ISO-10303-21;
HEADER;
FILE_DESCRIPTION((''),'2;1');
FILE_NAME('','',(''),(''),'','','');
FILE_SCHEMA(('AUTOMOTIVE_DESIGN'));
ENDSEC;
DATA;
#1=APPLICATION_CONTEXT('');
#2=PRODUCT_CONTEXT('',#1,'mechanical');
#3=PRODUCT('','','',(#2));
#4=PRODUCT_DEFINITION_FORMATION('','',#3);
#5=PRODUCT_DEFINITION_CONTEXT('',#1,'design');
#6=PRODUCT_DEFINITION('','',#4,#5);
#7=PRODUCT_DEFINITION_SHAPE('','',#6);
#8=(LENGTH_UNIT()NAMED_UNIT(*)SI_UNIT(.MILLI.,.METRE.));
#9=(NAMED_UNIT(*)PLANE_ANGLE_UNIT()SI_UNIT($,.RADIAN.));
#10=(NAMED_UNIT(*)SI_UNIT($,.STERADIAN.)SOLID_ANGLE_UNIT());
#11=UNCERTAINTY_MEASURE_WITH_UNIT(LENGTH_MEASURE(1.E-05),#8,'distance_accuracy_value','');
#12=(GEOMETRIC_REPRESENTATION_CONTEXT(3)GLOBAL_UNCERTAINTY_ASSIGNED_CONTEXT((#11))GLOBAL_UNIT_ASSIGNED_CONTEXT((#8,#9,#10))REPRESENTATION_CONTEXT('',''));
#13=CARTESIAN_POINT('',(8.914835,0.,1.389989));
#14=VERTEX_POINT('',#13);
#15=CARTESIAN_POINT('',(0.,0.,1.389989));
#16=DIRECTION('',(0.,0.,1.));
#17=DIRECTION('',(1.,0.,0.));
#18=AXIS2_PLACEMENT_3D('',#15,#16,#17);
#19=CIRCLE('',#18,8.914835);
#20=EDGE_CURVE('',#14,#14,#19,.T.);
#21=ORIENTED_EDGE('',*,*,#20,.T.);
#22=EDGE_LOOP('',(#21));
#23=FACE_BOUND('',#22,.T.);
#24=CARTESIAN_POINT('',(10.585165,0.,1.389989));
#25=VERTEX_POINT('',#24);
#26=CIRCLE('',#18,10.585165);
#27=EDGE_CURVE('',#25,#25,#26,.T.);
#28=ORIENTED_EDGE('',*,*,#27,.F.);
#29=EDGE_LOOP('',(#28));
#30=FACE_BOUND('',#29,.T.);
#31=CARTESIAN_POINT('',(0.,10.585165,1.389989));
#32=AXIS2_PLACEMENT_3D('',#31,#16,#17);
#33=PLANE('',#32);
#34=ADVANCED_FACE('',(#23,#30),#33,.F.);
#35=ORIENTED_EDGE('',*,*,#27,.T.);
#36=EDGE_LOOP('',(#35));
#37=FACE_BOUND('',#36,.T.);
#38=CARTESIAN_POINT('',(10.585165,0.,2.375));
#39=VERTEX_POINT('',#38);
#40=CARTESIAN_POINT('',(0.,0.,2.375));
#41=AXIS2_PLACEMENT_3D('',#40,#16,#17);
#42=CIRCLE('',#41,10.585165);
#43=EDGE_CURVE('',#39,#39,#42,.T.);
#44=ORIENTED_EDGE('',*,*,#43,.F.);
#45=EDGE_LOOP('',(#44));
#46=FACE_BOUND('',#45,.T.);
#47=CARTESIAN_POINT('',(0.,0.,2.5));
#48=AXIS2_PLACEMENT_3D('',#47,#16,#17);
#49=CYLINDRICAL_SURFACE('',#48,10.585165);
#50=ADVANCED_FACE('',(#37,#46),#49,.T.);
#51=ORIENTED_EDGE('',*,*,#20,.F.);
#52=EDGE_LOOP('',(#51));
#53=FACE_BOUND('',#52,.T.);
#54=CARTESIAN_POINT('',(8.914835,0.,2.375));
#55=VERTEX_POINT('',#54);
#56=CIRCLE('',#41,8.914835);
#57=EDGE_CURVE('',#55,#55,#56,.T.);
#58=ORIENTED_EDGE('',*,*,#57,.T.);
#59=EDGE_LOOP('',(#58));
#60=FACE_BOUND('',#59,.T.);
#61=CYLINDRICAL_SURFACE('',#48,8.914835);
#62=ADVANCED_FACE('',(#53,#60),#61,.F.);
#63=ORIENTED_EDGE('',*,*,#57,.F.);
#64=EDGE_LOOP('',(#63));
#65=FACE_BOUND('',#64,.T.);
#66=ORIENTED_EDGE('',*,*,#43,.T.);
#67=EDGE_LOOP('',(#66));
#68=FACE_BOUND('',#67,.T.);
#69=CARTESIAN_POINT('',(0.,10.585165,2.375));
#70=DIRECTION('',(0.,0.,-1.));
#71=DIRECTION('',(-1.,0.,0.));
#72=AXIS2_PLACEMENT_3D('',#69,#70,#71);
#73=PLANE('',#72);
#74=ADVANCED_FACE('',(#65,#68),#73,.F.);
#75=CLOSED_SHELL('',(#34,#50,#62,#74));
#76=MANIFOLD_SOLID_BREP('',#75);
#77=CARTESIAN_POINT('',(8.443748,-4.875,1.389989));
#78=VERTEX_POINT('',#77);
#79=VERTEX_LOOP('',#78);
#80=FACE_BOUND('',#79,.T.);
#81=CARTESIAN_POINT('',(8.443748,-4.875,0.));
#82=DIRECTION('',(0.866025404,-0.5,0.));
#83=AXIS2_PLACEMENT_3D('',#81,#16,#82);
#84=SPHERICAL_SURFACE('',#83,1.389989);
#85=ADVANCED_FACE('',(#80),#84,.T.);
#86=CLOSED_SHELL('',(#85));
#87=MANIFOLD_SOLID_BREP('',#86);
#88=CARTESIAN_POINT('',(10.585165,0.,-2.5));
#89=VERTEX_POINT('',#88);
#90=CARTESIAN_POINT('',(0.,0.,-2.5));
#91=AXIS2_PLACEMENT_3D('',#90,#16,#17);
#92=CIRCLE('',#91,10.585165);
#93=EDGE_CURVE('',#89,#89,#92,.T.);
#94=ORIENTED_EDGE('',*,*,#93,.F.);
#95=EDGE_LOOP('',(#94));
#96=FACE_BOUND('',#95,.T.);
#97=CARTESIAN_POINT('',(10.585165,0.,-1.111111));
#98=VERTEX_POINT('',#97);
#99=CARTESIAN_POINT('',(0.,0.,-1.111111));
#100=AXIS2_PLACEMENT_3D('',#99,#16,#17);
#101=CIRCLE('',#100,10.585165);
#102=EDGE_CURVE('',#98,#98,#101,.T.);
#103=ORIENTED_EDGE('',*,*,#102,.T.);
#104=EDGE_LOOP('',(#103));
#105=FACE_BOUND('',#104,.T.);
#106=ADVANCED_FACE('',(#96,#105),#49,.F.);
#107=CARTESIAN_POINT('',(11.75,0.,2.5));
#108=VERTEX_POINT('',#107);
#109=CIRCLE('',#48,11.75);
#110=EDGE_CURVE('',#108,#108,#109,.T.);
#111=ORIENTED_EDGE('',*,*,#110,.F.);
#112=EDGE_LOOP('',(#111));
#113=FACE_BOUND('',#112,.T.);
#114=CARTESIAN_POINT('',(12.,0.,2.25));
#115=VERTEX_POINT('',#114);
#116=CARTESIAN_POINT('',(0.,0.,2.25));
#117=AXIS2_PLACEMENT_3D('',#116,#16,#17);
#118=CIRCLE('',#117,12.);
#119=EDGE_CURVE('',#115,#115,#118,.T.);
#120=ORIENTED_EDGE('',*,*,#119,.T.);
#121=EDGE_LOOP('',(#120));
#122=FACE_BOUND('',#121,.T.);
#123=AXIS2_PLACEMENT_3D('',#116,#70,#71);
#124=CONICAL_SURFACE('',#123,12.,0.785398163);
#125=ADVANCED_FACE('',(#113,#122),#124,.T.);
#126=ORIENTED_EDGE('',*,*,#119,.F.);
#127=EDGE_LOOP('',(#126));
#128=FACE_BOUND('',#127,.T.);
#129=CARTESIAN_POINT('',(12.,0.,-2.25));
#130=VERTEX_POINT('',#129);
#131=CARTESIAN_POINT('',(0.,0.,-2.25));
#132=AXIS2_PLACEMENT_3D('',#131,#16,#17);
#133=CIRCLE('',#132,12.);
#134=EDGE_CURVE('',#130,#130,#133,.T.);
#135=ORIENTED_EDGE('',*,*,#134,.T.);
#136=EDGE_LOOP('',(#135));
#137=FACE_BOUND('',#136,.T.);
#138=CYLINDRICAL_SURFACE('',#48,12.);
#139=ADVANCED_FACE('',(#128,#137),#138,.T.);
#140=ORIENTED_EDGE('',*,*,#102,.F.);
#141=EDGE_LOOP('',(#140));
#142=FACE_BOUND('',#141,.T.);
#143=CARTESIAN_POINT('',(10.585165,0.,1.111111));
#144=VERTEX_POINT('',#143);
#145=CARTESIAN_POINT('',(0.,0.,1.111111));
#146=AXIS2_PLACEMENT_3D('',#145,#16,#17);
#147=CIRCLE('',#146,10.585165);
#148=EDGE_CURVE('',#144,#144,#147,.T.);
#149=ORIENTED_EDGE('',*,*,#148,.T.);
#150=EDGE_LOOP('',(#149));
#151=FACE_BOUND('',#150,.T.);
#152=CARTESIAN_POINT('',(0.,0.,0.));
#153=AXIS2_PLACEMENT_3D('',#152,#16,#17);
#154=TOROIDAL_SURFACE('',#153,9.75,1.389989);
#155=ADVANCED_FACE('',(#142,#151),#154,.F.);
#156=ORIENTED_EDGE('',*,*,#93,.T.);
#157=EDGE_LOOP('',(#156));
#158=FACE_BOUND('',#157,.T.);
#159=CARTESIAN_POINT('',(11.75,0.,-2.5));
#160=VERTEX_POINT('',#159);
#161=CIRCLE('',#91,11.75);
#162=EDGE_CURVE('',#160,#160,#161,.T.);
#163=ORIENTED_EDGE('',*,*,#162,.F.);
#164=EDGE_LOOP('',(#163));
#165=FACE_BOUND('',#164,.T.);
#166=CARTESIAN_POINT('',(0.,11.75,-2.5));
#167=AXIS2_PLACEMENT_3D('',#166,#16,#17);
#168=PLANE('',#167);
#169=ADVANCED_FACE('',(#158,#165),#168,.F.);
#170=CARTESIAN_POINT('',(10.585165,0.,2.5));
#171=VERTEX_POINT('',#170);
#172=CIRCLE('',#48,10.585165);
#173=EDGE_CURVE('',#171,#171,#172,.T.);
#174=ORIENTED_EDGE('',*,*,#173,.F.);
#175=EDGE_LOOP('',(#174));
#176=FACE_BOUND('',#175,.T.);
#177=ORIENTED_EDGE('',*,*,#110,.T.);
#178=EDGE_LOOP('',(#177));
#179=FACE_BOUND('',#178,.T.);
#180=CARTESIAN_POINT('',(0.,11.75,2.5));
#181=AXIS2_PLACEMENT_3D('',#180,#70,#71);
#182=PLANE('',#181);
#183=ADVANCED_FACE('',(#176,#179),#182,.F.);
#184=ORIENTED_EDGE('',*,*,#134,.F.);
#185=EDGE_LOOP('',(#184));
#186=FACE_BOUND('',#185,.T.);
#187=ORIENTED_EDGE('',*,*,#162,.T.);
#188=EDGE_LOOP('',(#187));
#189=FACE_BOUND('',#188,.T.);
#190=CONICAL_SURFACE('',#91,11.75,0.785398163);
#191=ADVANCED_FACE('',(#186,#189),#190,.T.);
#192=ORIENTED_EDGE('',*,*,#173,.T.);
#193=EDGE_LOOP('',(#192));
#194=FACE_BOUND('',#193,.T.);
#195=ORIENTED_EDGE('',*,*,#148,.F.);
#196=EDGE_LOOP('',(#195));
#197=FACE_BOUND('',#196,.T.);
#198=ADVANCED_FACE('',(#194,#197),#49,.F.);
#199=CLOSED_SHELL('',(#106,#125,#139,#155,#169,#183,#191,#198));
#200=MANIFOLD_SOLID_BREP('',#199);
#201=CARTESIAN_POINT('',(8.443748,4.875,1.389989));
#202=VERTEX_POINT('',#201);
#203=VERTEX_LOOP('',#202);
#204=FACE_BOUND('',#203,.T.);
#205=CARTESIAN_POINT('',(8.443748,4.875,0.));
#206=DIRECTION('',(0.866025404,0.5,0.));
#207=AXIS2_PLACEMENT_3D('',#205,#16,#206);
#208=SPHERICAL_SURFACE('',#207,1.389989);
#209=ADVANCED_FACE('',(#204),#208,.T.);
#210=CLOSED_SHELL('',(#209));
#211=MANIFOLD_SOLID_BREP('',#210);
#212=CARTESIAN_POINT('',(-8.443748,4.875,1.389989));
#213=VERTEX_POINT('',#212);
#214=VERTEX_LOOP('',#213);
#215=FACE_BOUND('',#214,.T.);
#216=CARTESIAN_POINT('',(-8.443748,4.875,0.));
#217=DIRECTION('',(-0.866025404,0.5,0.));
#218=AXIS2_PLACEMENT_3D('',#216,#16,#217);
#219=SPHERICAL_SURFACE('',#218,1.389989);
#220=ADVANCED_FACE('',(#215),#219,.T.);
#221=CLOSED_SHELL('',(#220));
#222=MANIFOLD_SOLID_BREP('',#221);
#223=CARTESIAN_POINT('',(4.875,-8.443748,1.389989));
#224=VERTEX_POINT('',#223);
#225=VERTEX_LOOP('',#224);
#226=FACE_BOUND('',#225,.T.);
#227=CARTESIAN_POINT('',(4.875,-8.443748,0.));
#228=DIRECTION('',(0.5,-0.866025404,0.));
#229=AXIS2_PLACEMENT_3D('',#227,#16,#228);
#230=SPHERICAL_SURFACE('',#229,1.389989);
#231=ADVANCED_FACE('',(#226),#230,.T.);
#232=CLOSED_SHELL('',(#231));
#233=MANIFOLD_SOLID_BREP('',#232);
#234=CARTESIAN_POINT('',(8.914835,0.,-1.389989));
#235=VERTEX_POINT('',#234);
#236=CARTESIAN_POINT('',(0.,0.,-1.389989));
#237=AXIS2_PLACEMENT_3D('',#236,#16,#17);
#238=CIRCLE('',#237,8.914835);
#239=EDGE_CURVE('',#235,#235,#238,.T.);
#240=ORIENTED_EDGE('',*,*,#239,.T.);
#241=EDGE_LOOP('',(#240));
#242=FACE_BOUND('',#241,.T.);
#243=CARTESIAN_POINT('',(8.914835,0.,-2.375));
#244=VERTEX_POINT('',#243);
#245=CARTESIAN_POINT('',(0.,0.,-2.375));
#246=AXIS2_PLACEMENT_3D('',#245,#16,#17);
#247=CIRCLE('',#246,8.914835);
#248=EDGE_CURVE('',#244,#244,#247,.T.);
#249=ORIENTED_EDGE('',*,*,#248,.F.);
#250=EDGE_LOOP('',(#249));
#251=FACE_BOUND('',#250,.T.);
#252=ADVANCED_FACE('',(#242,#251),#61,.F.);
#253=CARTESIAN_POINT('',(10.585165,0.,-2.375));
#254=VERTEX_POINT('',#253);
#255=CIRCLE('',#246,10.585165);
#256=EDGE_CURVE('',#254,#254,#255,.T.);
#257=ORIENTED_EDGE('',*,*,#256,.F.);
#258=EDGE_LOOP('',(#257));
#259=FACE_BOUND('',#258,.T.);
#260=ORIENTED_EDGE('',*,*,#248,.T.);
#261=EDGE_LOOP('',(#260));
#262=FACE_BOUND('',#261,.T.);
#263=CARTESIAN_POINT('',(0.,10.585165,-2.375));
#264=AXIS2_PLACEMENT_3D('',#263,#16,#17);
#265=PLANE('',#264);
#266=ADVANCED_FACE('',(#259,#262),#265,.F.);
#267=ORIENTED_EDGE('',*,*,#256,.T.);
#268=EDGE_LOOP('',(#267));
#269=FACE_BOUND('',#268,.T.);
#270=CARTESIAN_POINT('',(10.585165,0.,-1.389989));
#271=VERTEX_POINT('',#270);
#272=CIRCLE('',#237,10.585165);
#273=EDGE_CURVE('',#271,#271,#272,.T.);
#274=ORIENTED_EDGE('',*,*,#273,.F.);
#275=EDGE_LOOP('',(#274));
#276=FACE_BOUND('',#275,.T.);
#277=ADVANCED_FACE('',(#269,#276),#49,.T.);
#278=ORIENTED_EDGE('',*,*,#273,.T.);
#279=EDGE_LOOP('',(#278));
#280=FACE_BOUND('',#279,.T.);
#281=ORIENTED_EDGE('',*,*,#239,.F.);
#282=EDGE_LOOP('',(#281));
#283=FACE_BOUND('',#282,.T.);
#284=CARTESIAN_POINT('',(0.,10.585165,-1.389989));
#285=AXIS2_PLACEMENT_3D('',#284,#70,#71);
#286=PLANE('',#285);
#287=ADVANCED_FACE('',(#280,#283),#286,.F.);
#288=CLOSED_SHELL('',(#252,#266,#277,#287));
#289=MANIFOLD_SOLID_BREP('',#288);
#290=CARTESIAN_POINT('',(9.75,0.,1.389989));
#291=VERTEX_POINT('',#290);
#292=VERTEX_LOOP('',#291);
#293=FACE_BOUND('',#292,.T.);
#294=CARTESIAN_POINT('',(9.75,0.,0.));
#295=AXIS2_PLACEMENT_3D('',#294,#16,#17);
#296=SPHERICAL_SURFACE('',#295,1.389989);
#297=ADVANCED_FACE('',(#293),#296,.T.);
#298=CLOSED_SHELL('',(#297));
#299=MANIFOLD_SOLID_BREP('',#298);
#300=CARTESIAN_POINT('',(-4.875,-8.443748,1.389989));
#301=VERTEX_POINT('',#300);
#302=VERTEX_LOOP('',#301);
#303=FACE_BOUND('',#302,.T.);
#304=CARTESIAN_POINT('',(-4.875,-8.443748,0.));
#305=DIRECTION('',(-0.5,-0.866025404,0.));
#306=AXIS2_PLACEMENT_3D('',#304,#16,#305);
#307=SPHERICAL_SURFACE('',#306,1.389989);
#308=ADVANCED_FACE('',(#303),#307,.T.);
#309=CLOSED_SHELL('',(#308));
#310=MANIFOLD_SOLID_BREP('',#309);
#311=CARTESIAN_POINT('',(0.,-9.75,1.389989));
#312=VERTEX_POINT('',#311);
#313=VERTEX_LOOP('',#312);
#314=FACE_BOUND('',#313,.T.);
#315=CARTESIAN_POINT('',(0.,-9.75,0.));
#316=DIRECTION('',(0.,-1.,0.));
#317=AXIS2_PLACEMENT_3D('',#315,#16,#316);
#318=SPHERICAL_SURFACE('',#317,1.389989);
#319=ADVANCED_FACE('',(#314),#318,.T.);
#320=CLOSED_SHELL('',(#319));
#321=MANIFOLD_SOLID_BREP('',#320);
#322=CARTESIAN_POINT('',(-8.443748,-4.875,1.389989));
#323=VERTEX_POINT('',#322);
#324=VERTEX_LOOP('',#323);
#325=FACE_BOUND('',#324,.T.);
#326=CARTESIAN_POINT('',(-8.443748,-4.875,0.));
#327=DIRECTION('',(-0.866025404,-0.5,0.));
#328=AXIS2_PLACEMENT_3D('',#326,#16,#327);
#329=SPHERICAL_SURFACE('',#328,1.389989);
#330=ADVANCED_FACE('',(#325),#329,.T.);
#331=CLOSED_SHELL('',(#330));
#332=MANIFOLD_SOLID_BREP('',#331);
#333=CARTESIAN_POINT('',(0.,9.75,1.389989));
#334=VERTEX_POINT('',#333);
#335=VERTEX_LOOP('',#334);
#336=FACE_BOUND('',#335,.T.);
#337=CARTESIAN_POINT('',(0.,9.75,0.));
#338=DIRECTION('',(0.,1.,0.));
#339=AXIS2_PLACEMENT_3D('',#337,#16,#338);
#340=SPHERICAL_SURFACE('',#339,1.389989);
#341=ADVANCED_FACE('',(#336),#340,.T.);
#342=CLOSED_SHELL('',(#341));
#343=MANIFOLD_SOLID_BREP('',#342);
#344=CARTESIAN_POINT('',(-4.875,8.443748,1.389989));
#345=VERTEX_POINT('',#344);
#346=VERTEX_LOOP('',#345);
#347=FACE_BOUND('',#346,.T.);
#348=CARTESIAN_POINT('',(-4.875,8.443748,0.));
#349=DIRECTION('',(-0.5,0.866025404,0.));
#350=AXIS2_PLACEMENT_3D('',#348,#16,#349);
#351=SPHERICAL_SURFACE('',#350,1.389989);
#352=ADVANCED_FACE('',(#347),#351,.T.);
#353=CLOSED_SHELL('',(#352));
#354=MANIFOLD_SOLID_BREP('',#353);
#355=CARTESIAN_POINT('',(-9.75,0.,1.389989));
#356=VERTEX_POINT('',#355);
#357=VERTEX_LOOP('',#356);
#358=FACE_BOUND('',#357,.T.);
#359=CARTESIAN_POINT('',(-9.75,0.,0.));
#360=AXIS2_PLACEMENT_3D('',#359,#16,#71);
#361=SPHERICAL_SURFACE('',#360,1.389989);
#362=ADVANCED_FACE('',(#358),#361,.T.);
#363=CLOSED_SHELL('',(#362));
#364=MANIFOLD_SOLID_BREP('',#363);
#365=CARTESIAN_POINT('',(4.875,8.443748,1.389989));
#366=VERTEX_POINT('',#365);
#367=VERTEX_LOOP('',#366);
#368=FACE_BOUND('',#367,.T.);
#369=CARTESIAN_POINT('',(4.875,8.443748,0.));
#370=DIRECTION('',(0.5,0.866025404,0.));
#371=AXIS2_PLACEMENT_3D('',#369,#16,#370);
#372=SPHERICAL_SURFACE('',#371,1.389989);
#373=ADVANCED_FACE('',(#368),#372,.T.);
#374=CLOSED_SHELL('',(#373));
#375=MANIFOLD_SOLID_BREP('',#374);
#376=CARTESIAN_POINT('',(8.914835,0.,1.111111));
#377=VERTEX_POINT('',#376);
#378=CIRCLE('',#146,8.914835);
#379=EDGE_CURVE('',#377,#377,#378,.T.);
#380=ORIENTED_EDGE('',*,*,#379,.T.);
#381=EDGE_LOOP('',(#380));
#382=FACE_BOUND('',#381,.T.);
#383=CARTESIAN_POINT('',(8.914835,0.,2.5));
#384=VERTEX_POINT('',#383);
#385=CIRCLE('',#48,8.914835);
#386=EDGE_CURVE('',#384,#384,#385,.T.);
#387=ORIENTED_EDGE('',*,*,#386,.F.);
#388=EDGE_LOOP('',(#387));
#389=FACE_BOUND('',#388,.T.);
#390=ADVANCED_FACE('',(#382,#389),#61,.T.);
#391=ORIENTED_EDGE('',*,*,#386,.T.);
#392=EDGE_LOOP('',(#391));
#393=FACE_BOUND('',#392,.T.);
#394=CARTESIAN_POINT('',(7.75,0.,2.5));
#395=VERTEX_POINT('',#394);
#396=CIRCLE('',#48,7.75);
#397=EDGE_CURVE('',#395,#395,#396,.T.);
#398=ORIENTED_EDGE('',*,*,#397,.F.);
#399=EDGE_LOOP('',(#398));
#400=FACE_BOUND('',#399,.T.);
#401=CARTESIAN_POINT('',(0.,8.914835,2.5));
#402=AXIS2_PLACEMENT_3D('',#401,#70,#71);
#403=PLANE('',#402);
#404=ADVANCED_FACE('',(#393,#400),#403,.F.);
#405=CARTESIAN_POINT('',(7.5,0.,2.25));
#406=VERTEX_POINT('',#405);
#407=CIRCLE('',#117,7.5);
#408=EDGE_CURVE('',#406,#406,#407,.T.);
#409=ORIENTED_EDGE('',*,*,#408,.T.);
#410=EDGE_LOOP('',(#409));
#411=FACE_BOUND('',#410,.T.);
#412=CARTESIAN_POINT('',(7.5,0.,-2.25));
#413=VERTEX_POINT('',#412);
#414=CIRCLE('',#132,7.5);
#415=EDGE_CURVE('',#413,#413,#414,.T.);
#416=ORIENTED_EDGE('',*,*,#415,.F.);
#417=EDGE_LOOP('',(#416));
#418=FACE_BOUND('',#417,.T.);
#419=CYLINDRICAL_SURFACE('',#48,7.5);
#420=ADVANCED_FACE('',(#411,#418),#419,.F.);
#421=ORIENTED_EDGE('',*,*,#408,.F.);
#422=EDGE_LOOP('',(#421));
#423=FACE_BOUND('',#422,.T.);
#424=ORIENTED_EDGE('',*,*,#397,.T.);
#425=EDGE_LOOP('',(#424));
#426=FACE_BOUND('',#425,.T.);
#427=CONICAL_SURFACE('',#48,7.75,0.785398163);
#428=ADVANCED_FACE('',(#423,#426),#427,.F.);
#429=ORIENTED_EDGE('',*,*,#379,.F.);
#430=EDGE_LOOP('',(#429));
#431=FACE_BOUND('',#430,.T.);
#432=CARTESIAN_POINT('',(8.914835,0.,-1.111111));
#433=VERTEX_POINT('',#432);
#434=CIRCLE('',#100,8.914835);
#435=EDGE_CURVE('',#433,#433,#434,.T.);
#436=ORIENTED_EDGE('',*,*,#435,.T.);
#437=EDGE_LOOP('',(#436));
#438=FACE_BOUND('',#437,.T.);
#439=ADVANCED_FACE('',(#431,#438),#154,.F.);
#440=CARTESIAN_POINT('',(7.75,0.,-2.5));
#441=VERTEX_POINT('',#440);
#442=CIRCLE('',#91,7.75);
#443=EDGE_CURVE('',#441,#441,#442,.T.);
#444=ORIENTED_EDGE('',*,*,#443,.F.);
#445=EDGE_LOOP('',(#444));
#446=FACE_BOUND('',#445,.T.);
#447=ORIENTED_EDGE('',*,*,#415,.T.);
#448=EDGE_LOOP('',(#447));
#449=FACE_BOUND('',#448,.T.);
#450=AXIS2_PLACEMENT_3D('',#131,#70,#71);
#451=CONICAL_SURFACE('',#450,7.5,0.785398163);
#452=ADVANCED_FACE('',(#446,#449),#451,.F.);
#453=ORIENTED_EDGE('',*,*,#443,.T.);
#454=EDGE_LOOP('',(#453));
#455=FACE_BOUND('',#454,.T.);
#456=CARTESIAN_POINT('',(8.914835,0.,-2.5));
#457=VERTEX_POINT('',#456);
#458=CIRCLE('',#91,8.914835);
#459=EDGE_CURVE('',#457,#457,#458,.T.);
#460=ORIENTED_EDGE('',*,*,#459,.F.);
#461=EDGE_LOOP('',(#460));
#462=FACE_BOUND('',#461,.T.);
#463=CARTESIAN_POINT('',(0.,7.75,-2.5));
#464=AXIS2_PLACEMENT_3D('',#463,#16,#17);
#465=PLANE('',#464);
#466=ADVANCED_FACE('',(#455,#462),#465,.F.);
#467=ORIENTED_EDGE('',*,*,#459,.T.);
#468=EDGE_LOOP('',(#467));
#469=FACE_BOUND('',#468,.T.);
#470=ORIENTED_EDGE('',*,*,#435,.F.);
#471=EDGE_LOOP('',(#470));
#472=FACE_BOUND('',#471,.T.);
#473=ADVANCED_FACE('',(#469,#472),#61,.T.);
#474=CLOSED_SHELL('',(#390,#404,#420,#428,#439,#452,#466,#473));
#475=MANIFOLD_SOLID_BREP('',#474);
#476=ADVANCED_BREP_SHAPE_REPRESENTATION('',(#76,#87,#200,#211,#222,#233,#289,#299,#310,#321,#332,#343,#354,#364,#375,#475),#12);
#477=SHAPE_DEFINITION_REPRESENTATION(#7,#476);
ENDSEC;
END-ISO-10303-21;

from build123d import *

# Parameters (mm, degrees)
CIRPATTERN1_COUNT = 12
SKETCH5_W         = 0.985011438
SKETCH5_H         = 1.67032967


with BuildPart() as part:
    # Sketch1 → Revolve1 (revolve)
    with BuildSketch(Plane(origin=(0, 0, 0), x_dir=(0, 0, -1), z_dir=(1, 0, 0))):
        with BuildLine():
            Line((2.25, 12), (-2.25, 12))
            Line((-2.25, 12), (-2.5, 11.75))
            Line((-2.5, 11.75), (-2.5, 10.585164835))
            Line((-2.5, 10.585164835), (-1.111111111, 10.585164835))
            ThreePointArc((-1.111111111, 10.585164835), (0, 11.139988562), (1.111111111, 10.585164835))
            Line((1.111111111, 10.585164835), (2.5, 10.585164835))
            Line((2.5, 10.585164835), (2.5, 11.75))
            Line((2.5, 11.75), (2.25, 12))
        make_face()
    revolve(axis=Axis((0, 0, 2.5), (0, 0, -1)))


with BuildPart() as body_2:
    # Sketch3 → Revolve3 (revolve)
    with BuildSketch(Plane(origin=(0, 0, 0), x_dir=(0, 0, -1), z_dir=(1, 0, 0))):
        with BuildLine():
            Line((-2.5, 8.914835165), (-1.111111111, 8.914835165))
            ThreePointArc((-1.111111111, 8.914835165), (0, 8.360011438), (1.111111111, 8.914835165))
            Line((1.111111111, 8.914835165), (2.5, 8.914835165))
            Line((2.5, 8.914835165), (2.5, 7.75))
            Line((2.5, 7.75), (2.25, 7.5))
            Line((2.25, 7.5), (-2.25, 7.5))
            Line((-2.25, 7.5), (-2.5, 7.75))
            Line((-2.5, 7.75), (-2.5, 8.914835165))
        make_face()
    revolve(axis=Axis((0, 0, 2.5), (0, 0, -1)))


with BuildPart() as body_3:
    # Sketch4 → Revolve4 (revolve)
    with BuildSketch(Plane(origin=(0, 0, 0), x_dir=(0, 0, -1), z_dir=(1, 0, 0))):
        with BuildLine():
            Line((-1.389988562, 9.75), (1.389988562, 9.75))
            ThreePointArc((1.389988562, 9.75), (0, 11.139988562), (-1.389988562, 9.75))
        make_face()
    revolve(axis=Axis((0, 9.75, 1.389988562), (0, 0, -1)))


with BuildPart() as cirpattern1_1:
    # CirPattern1: pattern copy
    add(body_3.part.rotate(Axis((0, 0, 0), (0, 0, 1)), 1 * 360 / CIRPATTERN1_COUNT))


with BuildPart() as cirpattern1_2:
    # CirPattern1: pattern copy
    add(body_3.part.rotate(Axis((0, 0, 0), (0, 0, 1)), 2 * 360 / CIRPATTERN1_COUNT))


with BuildPart() as cirpattern1_3:
    # CirPattern1: pattern copy
    add(body_3.part.rotate(Axis((0, 0, 0), (0, 0, 1)), 3 * 360 / CIRPATTERN1_COUNT))


with BuildPart() as cirpattern1_4:
    # CirPattern1: pattern copy
    add(body_3.part.rotate(Axis((0, 0, 0), (0, 0, 1)), 4 * 360 / CIRPATTERN1_COUNT))


with BuildPart() as cirpattern1_5:
    # CirPattern1: pattern copy
    add(body_3.part.rotate(Axis((0, 0, 0), (0, 0, 1)), 5 * 360 / CIRPATTERN1_COUNT))


with BuildPart() as cirpattern1_6:
    # CirPattern1: pattern copy
    add(body_3.part.rotate(Axis((0, 0, 0), (0, 0, 1)), 6 * 360 / CIRPATTERN1_COUNT))


with BuildPart() as cirpattern1_7:
    # CirPattern1: pattern copy
    add(body_3.part.rotate(Axis((0, 0, 0), (0, 0, 1)), 7 * 360 / CIRPATTERN1_COUNT))


with BuildPart() as cirpattern1_8:
    # CirPattern1: pattern copy
    add(body_3.part.rotate(Axis((0, 0, 0), (0, 0, 1)), 8 * 360 / CIRPATTERN1_COUNT))


with BuildPart() as cirpattern1_9:
    # CirPattern1: pattern copy
    add(body_3.part.rotate(Axis((0, 0, 0), (0, 0, 1)), 9 * 360 / CIRPATTERN1_COUNT))


with BuildPart() as cirpattern1_10:
    # CirPattern1: pattern copy
    add(body_3.part.rotate(Axis((0, 0, 0), (0, 0, 1)), 10 * 360 / CIRPATTERN1_COUNT))


with BuildPart() as cirpattern1_11:
    # CirPattern1: pattern copy
    add(body_3.part.rotate(Axis((0, 0, 0), (0, 0, 1)), 11 * 360 / CIRPATTERN1_COUNT))


with BuildPart() as body_15:
    # Sketch5 → Revolve5 (revolve)
    with BuildSketch(Plane(origin=(0, 0, 0), x_dir=(0, 0, -1), z_dir=(1, 0, 0))):
        with Locations((-1.882494281, 9.75)):
            Rectangle(SKETCH5_W, SKETCH5_H)
        with Locations((1.882494281, 9.75)):
            Rectangle(SKETCH5_W, SKETCH5_H)
    revolve(axis=Axis((0, 0, 2.5), (0, 0, -1)))


solid = Compound([part.part, body_2.part, body_3.part, cirpattern1_1.part, cirpattern1_2.part, cirpattern1_3.part, cirpattern1_4.part, cirpattern1_5.part, cirpattern1_6.part, cirpattern1_7.part, cirpattern1_8.part, cirpattern1_9.part, cirpattern1_10.part, cirpattern1_11.part, body_15.part])
